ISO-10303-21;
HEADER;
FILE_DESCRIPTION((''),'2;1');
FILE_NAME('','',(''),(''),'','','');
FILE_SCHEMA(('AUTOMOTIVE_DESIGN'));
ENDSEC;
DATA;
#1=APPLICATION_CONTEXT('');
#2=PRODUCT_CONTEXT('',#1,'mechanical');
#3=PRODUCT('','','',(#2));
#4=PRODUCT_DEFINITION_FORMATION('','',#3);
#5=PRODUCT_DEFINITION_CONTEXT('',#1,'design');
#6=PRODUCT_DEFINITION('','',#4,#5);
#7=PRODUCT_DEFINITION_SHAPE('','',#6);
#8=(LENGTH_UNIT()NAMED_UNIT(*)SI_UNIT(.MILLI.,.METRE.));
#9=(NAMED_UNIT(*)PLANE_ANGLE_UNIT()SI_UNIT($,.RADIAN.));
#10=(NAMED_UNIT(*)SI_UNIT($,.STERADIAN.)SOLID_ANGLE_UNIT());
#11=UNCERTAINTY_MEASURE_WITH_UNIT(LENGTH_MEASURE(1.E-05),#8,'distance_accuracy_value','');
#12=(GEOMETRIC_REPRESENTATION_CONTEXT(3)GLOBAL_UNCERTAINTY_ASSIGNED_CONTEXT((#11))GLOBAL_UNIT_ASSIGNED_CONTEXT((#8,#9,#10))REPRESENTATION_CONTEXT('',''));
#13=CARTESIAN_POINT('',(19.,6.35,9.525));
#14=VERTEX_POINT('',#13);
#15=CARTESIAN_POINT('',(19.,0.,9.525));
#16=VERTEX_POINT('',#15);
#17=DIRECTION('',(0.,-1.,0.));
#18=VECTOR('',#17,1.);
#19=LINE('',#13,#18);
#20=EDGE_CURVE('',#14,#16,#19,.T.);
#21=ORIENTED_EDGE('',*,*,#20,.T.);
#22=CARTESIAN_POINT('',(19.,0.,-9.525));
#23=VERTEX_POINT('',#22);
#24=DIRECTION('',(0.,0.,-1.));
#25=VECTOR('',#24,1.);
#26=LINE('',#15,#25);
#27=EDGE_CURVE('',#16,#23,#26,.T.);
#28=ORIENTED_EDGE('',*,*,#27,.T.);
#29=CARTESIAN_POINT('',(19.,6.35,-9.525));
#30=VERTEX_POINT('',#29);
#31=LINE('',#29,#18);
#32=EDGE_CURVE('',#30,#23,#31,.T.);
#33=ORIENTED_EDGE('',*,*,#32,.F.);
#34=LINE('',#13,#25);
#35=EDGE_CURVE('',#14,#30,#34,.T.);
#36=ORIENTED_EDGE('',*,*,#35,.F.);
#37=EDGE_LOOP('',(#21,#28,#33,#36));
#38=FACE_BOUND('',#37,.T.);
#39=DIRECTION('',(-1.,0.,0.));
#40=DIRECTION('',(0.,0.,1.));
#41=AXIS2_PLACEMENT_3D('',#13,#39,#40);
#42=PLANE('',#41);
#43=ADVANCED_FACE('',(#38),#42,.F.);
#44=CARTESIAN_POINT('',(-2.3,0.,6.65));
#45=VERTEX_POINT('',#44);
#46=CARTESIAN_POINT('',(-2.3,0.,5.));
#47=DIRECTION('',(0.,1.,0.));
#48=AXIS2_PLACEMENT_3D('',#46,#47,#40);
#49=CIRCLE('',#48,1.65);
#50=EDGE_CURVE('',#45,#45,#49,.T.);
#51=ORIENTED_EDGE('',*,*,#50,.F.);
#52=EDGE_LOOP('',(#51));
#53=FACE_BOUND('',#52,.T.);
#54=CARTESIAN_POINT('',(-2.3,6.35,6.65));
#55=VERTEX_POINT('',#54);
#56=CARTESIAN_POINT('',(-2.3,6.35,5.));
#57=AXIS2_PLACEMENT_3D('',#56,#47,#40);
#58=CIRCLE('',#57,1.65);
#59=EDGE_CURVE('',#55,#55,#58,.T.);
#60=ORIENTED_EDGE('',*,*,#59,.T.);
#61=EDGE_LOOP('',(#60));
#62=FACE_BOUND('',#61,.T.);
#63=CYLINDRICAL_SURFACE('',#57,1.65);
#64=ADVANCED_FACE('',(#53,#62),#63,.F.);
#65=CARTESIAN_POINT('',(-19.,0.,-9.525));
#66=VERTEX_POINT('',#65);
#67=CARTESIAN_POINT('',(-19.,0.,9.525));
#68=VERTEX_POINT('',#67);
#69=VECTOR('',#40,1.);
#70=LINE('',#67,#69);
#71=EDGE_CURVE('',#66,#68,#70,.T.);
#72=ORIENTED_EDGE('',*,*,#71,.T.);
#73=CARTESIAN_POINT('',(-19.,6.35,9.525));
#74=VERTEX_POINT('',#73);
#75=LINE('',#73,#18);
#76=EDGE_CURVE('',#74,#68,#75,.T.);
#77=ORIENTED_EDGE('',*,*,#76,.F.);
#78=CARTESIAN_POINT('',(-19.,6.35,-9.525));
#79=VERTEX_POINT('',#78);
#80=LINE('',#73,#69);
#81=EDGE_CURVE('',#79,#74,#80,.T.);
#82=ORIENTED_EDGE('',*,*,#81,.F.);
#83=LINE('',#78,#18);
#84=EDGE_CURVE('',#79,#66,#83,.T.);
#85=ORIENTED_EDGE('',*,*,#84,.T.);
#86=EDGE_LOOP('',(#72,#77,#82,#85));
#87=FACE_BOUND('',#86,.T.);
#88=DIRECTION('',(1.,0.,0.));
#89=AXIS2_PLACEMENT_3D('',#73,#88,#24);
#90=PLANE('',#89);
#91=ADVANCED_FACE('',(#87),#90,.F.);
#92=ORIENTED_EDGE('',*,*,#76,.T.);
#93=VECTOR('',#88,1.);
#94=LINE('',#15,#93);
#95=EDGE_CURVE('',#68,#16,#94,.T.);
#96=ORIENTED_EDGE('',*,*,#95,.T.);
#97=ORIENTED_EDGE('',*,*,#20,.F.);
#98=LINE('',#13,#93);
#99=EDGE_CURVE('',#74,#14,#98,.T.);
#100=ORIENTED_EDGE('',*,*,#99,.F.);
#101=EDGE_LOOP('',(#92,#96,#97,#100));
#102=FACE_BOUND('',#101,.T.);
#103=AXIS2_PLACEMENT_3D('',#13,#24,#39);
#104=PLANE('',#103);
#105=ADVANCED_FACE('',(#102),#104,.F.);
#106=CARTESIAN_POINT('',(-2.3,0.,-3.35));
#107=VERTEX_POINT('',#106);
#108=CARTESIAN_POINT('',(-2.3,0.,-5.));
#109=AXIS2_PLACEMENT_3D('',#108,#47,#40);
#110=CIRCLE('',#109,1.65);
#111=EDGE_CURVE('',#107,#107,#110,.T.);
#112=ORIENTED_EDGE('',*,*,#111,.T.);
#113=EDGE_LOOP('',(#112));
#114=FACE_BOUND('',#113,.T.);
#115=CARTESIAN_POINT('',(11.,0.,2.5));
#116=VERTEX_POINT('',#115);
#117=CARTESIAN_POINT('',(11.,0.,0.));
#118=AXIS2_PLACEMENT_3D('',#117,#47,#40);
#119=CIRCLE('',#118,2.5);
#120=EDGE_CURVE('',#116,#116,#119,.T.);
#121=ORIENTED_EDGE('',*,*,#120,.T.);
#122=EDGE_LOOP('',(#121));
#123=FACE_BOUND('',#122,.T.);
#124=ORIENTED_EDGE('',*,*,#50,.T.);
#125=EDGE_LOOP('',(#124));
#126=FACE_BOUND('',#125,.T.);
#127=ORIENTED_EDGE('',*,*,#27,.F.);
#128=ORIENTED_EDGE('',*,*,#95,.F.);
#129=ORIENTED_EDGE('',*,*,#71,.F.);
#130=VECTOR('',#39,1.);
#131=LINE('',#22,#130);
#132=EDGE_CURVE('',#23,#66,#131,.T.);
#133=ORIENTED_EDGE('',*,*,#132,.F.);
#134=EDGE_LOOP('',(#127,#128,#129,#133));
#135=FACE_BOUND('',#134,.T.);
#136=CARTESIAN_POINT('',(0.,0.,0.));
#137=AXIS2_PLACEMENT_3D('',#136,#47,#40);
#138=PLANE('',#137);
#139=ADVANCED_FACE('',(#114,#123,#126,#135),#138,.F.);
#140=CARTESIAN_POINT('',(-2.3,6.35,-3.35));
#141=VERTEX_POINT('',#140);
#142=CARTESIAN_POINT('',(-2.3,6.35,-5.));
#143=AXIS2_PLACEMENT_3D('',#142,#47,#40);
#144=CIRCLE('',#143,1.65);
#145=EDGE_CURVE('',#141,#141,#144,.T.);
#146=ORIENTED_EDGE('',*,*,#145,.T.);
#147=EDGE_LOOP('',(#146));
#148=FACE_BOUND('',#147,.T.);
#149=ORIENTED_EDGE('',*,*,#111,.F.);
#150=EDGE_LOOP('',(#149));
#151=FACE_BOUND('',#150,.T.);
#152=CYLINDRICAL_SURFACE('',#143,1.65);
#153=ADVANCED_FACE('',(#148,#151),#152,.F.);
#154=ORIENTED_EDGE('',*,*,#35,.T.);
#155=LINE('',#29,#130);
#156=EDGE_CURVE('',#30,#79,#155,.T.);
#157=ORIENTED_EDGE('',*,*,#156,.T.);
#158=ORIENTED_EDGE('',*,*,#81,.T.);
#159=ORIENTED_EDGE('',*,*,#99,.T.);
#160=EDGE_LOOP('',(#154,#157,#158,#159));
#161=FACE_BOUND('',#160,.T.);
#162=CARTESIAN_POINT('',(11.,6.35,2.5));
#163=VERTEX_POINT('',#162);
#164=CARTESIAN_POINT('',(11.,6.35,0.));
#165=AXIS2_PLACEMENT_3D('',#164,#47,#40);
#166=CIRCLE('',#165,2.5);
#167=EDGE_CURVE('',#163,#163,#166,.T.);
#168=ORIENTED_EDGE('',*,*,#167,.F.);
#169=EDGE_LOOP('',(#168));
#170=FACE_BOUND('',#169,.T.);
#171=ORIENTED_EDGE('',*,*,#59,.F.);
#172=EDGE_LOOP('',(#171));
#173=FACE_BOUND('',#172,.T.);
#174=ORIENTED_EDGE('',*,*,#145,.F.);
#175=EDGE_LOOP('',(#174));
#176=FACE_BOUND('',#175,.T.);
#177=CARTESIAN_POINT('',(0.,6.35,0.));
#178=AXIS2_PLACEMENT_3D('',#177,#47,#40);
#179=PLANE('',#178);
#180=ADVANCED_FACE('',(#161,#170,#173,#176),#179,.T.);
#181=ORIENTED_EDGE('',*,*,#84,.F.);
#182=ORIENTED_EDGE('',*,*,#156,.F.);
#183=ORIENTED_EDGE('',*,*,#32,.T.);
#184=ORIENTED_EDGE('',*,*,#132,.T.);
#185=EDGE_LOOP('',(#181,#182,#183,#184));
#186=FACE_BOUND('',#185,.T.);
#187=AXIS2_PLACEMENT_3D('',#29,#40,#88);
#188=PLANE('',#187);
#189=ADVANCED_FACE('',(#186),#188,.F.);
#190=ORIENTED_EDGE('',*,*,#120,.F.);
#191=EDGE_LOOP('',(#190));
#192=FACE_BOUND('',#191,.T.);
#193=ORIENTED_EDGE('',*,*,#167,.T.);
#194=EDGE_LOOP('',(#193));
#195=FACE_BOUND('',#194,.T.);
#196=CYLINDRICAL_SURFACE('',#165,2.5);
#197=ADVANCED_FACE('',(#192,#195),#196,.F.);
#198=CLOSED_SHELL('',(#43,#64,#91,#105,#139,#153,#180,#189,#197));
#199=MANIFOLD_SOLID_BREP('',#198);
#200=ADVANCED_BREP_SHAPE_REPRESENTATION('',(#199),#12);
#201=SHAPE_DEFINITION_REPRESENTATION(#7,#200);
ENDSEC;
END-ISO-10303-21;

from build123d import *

# Parameters (mm, degrees)
SKETCH1_W             = 38
SKETCH1_H             = 19.05
BOSS_EXTRUDE1_DEPTH   = 6.35
M4X0_7_TAPPED_HOLE1_D = 3.3
M6X1_0_TAPPED_HOLE1_D = 5


with BuildPart() as part:
    # Sketch1 → Boss-Extrude1 (new body)
    with BuildSketch(Plane(origin=(0, 0, 0), x_dir=(1, 0, 0), z_dir=(0, 1, 0))):
        Rectangle(SKETCH1_W, SKETCH1_H)
    extrude(amount=BOSS_EXTRUDE1_DEPTH)

    # M4x0.7 Tapped Hole1 (through all)
    with Locations(Plane(origin=(-2.3, 6.35, -5), x_dir=(0, 0, 1), z_dir=(0, 1, 0))):
        with Locations((0, 0), (10, 0)):
            Hole(M4X0_7_TAPPED_HOLE1_D / 2)

    # M6x1.0 Tapped Hole1 (through all)
    with Locations(Plane(origin=(11, 6.35, 0), x_dir=(0, 0, 1), z_dir=(0, 1, 0))):
        with Locations((0, 0)):
            Hole(M6X1_0_TAPPED_HOLE1_D / 2)


solid = part.part
